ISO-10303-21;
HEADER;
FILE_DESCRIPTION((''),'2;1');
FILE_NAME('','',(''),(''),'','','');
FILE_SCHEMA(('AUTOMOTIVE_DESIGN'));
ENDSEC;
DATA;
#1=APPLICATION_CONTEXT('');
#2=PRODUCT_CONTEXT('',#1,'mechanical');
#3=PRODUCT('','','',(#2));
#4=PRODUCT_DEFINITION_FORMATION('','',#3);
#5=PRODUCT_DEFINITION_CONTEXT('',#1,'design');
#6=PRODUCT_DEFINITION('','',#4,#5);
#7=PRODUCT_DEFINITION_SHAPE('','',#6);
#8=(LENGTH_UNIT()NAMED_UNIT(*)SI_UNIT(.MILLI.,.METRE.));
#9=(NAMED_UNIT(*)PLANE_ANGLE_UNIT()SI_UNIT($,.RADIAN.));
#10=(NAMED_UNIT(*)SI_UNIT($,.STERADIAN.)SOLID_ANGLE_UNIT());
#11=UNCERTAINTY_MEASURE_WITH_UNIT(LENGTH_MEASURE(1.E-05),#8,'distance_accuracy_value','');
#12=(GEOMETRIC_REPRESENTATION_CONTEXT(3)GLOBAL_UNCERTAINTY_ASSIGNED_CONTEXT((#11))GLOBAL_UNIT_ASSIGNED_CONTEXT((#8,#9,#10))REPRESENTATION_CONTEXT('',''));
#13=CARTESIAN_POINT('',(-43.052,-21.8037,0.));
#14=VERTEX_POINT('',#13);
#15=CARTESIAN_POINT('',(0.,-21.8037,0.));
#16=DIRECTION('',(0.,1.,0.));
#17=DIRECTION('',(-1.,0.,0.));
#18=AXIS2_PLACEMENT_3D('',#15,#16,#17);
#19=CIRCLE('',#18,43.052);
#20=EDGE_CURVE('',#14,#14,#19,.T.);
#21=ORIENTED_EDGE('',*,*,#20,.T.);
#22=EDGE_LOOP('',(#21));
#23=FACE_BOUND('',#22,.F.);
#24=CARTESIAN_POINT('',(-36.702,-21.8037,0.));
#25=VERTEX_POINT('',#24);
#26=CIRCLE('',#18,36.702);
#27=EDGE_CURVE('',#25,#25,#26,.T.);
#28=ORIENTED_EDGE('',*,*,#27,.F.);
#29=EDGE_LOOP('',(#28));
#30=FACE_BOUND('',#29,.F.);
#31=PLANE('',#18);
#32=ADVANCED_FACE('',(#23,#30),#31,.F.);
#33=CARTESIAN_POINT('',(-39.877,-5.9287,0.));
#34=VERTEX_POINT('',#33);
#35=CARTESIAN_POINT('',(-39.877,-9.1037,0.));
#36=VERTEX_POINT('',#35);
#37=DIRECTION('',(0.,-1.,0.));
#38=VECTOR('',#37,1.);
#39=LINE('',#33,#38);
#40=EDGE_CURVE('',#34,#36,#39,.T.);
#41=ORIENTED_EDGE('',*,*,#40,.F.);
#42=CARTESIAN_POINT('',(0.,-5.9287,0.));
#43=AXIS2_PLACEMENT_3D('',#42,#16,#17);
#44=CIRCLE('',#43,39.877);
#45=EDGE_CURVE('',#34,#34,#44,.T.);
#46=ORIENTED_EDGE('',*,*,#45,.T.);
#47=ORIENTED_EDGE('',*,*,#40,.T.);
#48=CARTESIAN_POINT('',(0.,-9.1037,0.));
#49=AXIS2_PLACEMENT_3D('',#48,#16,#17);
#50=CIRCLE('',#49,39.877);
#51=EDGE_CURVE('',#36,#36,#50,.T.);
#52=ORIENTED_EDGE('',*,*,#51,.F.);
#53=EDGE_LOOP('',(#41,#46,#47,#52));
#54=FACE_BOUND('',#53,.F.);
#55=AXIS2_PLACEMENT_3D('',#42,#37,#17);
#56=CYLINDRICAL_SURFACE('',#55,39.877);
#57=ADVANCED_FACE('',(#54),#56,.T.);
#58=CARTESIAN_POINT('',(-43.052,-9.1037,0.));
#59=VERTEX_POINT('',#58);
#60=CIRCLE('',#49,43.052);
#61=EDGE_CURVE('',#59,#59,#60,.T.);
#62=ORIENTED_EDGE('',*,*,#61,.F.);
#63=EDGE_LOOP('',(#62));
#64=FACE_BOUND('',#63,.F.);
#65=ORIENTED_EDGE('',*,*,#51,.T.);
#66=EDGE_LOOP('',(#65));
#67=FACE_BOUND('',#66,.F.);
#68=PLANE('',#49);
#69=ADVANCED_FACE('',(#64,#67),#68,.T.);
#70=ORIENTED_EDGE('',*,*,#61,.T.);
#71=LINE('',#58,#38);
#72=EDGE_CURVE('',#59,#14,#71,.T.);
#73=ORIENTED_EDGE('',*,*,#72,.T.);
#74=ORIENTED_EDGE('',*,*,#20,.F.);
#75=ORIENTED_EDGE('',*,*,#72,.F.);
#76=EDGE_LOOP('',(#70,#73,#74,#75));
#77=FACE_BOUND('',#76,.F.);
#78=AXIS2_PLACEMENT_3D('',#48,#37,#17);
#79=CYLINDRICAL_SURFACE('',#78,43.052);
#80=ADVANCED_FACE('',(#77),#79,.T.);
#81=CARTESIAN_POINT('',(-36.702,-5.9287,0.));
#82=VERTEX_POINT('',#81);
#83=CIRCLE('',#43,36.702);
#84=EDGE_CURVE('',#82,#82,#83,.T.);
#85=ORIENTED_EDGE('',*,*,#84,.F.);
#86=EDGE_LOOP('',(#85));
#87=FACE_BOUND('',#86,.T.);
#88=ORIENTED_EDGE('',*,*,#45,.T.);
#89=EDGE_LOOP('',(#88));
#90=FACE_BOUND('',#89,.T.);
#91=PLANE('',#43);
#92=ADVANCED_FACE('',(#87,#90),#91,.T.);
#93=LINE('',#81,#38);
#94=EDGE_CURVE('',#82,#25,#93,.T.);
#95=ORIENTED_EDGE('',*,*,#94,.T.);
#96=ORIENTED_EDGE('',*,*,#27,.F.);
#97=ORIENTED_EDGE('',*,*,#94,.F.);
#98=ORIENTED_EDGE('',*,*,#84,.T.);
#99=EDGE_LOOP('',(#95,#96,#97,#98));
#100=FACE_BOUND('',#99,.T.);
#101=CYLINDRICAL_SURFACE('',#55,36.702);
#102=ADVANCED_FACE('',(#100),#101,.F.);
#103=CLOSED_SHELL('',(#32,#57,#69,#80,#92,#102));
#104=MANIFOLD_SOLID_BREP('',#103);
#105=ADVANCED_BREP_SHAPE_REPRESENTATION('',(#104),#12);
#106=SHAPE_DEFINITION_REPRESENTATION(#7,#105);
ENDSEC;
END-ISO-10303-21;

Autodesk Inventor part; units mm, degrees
ref_plane "YZ Plane" through (0, 0, 0) normal (1, 0, 0) x (0, 1, 0)
ref_plane "XZ Plane" through (0, 0, 0) normal (0, 1, 0) x (-1, 0, 0)
ref_plane "XY Plane" through (0, 0, 0) normal (0, 0, 1) x (1, 0, 0)
sketch "Sketch1" plane through (0, 0, 0) normal (0, 0, 1) x (1, 0, 0)
  line L0 (-24.002, 6.35) -> (-17.7813, 6.35)
  line L1 (-43.052, 13.1213) -> (-5.5282, 3.0668)
  line L2 (-3.4725, -1.3418) -> (-39.877, -79.4117)
  line L3 (-17.652, -31.75) -> (-24.002, -31.75)
  line L4 (-24.002, -31.75) -> (-24.002, 6.35)
  arc A0 (-3.4725, -1.3418) -> (-5.5282, 3.0668) centre (-6.35, 0) ccw
  line L5 (-30.352, 0.4213) -> (-30.352, -52.1764)
  line L6 (-30.352, -52.1764) -> (-27.177, -52.1764)
  line L7 (-30.352, 0.4213) -> (-43.052, 0.4213)
  line L8 (-43.052, 0.4213) -> (-43.052, 5.1238)
  line L9 (-43.052, 5.1238) -> (-43.052, 13.1213)
  line L10 (-43.052, 0.4213) -> (-43.052, -5.9287)
  line L11 (-43.052, -5.9287) -> (-36.702, -5.9287)
  line L12 (-36.702, -5.9287) -> (-36.702, -64.1466)
  line L13 (-36.702, -64.1466) -> (-32.7588, -64.1466)
  line L14 (-39.877, -5.9287) -> (-39.877, -9.1037)
  line L15 (-39.877, -9.1037) -> (-43.052, -9.1037)
  line L16 (-43.052, -9.1037) -> (-43.052, -21.8037)
  line L17 (-43.052, -21.8037) -> (-36.702, -21.8037)
  line L18 (-43.052, -51.4466) -> (-43.052, -79.4117)
  line L19 (-43.052, -51.4466) -> (-36.702, -51.4466)
  line L20 (-43.052, -79.4117) -> (-39.877, -79.4117)
  line L21 (0, -97.9183) -> (0, 31.6279) projected
  line L22 (-30.352, -6.35) -> (-24.002, -6.35)
  point P0 (0, 0)
  dimension "d0" = 6.35
  dimension "d1" = 25
  dimension "d2" = 15
  dimension "d4" = 6.35
  dimension "d5" = 38.1
  dimension "d6" = 31.75
  dimension "d7" = 6.35
  dimension "d11" = 6.35
  dimension "d13" = 12.7
  dimension "d15" = 6.35
  dimension "d16" = 6.35
  dimension "d18" = 3.175
  dimension "d19" = 12.7
  dimension "d20" = 3.175
  dimension "d21" = 6.35
  dimension "d22" = 3.175
  dimension "d23" = 3.175
  dimension "d24" = 6.35
  dimension "d25" = 12.7
  dimension "d26" = 58.2179
  dimension "d27" = 12.7
  dimension "d29" = 12.7
revolve "Revolution3" add sketch "Sketch1" angle 360 about axis through (0, -10, 0) along (0, 1, 0) contours L11 L12 L17 L16 L15 L14
properties part number "aluminum_retainer" material "Aluminum 6061"
